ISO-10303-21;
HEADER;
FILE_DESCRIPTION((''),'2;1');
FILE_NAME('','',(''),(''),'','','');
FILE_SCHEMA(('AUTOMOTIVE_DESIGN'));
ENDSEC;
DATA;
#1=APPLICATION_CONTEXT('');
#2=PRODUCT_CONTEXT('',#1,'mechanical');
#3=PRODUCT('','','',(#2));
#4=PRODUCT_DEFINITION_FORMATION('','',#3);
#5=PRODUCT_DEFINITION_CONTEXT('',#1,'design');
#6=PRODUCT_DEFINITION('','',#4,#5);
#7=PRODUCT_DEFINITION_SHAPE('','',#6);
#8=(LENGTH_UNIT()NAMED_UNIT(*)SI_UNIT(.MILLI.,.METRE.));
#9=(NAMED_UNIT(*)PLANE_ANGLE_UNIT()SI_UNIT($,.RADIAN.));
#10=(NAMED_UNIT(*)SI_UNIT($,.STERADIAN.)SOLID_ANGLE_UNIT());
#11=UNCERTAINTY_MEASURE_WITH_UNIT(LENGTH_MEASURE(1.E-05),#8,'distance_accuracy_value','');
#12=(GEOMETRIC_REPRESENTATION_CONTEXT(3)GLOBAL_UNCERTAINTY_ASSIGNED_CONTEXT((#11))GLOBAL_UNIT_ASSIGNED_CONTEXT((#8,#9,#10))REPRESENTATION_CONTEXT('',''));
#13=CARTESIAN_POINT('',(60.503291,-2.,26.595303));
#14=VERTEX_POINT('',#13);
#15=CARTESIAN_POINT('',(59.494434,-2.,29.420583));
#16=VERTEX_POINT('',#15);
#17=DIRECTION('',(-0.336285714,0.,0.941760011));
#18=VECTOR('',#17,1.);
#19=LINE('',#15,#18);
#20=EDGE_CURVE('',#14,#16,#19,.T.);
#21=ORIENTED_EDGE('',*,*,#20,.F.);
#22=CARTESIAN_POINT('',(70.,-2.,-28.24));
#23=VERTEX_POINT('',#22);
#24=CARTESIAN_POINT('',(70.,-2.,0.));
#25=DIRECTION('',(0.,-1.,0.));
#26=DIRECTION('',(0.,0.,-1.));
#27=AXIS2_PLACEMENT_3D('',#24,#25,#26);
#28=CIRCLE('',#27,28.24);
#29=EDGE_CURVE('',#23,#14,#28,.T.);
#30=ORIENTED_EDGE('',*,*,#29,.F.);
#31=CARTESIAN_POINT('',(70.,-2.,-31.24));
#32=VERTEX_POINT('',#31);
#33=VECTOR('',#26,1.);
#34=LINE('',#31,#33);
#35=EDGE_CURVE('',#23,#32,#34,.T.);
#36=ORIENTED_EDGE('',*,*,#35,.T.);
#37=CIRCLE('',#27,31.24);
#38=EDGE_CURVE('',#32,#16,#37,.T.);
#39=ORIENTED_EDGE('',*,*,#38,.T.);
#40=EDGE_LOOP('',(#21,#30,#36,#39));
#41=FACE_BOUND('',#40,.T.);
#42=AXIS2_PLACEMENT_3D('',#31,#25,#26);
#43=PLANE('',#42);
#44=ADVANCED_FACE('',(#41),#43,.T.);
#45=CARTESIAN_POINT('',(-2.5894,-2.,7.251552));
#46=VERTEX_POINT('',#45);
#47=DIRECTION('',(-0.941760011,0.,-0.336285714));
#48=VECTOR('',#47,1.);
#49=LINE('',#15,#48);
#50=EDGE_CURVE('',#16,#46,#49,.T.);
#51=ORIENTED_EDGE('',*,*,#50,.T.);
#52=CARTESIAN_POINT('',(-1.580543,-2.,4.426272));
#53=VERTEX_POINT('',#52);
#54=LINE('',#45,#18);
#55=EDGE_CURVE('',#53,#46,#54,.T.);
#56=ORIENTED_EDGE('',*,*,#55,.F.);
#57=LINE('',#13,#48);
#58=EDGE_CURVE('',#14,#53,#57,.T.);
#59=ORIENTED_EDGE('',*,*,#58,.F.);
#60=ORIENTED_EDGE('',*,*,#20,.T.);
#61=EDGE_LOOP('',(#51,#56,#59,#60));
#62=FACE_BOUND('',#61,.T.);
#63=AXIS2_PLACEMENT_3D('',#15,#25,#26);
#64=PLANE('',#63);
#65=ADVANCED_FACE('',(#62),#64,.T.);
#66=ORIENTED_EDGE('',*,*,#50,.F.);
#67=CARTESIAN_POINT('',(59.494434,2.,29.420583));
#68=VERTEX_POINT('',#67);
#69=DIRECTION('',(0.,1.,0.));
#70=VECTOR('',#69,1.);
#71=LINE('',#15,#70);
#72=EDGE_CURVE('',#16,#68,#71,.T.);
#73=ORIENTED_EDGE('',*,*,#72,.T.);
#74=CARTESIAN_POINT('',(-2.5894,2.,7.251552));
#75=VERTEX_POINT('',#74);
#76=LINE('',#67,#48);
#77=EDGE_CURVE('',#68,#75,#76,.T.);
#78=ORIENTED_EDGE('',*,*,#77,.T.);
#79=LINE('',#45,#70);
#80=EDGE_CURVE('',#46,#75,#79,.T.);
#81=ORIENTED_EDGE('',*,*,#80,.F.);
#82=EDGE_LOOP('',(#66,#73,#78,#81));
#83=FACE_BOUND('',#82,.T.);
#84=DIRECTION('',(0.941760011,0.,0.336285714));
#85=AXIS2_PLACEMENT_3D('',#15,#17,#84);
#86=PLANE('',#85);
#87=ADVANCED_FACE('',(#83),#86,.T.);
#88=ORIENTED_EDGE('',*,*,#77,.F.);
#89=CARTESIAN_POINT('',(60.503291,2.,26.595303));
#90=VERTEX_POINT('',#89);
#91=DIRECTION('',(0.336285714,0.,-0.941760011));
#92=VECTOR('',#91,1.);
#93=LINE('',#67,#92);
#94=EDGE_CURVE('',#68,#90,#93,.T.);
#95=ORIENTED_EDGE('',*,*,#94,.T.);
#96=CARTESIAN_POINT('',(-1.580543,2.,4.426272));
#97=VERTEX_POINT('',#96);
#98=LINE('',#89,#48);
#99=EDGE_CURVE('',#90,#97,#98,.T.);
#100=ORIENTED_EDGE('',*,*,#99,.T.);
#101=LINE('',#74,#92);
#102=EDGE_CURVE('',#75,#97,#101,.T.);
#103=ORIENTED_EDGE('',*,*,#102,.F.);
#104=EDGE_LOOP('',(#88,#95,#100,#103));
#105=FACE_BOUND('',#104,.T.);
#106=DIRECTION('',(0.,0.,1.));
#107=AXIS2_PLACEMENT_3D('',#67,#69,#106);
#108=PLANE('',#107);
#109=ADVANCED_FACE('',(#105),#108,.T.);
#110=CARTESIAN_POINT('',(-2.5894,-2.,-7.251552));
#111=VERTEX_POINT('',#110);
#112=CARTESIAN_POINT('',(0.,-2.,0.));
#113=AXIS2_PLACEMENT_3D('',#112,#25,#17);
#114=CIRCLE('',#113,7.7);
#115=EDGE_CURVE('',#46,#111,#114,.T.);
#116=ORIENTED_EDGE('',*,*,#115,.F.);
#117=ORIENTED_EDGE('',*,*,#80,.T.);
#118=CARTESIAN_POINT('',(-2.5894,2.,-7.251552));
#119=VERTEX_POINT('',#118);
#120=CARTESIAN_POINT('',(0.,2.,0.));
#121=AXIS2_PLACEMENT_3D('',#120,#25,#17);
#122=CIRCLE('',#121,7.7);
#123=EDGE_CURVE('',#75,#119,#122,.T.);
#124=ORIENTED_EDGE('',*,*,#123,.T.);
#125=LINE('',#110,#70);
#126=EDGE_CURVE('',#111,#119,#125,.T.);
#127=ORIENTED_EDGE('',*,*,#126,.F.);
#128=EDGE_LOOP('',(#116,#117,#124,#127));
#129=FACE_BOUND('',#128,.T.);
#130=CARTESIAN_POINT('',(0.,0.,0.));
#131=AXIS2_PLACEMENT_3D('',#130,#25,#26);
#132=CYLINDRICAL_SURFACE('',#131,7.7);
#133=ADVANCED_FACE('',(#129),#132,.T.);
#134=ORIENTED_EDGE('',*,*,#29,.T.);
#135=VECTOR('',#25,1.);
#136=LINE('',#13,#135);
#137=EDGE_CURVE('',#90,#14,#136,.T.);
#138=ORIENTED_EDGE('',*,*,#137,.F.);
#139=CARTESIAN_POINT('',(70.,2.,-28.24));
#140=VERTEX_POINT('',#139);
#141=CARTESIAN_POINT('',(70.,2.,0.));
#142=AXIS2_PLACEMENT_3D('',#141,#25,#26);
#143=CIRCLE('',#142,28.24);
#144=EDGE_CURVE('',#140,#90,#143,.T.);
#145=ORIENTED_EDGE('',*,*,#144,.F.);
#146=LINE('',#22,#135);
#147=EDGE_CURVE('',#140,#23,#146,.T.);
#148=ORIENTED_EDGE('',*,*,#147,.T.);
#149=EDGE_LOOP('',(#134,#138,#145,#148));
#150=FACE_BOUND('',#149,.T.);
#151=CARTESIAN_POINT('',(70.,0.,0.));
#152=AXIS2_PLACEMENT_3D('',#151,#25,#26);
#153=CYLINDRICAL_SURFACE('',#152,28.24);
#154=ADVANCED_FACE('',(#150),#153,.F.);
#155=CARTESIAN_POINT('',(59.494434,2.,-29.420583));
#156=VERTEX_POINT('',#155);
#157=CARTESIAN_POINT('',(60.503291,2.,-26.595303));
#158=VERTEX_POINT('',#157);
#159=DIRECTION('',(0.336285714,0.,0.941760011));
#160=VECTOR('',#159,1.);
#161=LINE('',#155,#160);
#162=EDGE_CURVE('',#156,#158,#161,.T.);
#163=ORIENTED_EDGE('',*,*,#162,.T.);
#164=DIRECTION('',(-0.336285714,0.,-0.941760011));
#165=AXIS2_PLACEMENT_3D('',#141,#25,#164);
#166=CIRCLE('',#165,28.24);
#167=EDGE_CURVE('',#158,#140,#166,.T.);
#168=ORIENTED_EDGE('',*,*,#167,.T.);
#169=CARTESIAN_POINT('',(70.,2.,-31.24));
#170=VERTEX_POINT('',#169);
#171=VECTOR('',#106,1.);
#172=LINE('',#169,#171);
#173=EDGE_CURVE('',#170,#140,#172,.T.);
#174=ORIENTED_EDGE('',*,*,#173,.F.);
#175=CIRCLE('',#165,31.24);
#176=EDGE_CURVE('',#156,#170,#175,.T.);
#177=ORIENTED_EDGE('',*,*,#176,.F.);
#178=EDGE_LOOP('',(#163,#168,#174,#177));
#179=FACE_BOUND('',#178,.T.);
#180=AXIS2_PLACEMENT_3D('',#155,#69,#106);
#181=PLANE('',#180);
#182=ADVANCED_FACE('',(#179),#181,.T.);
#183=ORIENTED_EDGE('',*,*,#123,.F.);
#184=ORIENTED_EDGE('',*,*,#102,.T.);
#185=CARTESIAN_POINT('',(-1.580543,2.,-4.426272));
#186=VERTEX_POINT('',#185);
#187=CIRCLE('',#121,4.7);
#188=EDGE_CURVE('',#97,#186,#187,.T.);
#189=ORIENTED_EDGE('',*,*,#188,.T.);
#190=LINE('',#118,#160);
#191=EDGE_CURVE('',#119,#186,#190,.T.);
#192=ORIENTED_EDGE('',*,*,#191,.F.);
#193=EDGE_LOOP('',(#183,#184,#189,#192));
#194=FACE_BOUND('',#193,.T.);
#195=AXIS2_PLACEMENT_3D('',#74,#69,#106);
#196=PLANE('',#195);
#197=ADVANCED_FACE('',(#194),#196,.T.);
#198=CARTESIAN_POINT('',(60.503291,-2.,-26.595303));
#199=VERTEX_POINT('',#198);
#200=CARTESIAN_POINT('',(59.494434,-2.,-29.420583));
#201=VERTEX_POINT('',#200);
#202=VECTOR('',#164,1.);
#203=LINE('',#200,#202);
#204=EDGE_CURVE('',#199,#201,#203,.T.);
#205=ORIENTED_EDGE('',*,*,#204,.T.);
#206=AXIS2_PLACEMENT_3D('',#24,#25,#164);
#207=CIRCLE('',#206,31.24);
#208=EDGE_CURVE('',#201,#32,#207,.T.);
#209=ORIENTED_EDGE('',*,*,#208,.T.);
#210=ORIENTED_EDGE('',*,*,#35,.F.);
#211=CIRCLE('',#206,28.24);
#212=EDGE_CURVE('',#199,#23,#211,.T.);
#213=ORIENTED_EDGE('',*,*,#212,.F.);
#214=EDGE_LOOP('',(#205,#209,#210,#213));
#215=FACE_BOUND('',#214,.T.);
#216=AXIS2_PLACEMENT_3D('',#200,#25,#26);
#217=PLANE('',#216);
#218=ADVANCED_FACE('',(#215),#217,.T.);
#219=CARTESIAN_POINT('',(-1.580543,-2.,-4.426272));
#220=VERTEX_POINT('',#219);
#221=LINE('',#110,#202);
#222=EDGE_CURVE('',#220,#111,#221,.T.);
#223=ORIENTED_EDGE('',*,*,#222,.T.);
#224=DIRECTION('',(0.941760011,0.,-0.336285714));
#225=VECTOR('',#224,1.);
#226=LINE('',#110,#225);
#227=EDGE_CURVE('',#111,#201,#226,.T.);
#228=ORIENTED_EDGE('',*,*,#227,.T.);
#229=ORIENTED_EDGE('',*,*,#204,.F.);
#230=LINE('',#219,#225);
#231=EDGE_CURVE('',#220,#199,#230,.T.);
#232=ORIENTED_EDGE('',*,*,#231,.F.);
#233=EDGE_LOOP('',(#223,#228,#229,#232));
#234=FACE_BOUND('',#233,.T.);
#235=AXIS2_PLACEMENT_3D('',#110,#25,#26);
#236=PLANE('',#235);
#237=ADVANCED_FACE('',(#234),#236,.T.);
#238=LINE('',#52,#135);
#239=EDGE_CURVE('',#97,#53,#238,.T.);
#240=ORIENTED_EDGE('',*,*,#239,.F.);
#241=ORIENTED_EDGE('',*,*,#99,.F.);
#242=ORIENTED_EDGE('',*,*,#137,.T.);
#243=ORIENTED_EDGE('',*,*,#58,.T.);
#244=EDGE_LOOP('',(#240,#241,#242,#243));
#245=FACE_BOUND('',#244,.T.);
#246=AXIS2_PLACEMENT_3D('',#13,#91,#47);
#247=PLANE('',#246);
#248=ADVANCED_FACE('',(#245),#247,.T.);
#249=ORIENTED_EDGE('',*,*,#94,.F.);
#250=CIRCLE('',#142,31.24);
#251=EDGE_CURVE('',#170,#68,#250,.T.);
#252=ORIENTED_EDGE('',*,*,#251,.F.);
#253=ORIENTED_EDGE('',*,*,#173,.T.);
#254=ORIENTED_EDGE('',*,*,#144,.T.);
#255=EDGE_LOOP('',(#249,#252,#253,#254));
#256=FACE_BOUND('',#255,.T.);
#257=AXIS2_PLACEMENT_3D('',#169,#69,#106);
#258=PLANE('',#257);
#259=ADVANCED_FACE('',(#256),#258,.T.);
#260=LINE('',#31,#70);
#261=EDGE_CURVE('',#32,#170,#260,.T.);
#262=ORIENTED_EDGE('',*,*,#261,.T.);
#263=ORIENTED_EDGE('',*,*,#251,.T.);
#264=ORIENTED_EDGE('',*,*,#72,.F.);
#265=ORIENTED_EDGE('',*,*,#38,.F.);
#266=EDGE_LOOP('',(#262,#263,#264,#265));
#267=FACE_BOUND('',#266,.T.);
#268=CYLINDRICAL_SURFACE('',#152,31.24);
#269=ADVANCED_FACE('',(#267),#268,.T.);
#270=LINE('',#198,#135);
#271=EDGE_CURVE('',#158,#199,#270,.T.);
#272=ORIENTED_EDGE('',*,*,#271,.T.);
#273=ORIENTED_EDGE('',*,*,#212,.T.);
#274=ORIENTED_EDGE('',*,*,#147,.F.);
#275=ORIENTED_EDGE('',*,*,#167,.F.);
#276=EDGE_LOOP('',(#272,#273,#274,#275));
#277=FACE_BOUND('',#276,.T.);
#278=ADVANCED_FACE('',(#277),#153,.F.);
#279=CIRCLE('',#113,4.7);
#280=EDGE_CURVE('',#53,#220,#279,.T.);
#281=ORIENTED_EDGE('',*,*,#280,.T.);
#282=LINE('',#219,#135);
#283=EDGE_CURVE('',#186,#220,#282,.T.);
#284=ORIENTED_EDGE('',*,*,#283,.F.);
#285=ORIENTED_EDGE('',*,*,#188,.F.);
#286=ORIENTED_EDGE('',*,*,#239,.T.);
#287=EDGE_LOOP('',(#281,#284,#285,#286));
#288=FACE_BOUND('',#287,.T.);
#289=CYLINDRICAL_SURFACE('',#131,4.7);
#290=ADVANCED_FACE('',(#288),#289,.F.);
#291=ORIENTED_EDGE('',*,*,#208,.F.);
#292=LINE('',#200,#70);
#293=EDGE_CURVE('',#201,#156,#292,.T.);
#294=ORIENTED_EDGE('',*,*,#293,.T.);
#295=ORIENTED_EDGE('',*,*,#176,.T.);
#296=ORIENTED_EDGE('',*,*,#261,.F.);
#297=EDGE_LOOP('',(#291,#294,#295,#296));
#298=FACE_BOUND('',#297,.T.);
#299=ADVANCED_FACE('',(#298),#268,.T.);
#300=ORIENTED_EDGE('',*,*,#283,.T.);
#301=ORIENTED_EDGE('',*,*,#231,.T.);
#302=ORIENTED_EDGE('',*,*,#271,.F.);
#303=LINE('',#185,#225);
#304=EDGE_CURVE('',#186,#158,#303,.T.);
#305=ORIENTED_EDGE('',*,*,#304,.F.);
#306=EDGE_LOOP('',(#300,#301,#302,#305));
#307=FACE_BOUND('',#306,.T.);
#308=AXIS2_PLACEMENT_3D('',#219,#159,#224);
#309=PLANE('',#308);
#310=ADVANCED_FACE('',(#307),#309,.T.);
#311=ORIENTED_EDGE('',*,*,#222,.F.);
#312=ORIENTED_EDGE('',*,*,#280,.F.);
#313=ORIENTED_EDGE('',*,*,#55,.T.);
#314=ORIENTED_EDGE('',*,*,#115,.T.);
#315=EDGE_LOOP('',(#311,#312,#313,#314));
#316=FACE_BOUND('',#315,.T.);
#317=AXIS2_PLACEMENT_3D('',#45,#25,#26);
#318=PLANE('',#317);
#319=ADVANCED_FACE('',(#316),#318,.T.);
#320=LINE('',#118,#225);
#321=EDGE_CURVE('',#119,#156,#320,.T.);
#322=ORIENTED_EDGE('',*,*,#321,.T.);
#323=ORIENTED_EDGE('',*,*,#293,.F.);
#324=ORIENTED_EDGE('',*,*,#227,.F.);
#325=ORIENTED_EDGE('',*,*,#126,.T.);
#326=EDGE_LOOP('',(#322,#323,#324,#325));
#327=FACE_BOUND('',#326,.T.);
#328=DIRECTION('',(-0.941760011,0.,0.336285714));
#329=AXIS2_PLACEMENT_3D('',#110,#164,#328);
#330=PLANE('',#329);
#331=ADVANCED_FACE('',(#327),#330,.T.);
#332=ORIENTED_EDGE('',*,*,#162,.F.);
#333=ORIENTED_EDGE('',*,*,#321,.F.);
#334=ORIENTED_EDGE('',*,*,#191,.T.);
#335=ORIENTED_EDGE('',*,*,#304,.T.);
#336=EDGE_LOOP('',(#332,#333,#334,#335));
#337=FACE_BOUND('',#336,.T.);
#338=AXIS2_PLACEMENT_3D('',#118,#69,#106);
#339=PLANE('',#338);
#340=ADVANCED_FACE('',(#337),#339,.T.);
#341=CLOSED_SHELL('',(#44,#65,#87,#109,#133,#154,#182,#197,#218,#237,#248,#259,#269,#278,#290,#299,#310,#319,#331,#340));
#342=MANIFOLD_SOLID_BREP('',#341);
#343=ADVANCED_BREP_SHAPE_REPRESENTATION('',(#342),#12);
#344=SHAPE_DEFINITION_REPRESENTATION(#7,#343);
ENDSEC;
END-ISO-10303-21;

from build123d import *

# Parameters (mm, degrees)
SKETCH2_W = 3
SKETCH2_H = 4


with BuildPart() as part:
    # Sweep1: sweep along a path in Sketch1
    with BuildLine(Plane(origin=(0, 0, 0), x_dir=(1, 0, 0), z_dir=(0, 1, 0))) as sweep1_path:
        Line((-1.580542857, 4.426272052), (60.503291429, 26.595302711))
        ThreePointArc((60.503291429, 26.595302711), (98.24, 0), (60.503291429, -26.595302711))
        Line((60.503291429, -26.595302711), (-1.580542857, -4.426272052))
        ThreePointArc((-1.580542857, -4.426272052), (-4.7, 0), (-1.580542857, 4.426272052))
    # Sketch2 → Sweep1 (sweep)
    with BuildSketch(Plane(origin=(70, 0, 0), x_dir=(0, 0, -1), z_dir=(1, 0, 0))):
        with Locations((29.74, 0)):
            Rectangle(SKETCH2_W, SKETCH2_H)
    sweep(path=sweep1_path.line)


solid = part.part
